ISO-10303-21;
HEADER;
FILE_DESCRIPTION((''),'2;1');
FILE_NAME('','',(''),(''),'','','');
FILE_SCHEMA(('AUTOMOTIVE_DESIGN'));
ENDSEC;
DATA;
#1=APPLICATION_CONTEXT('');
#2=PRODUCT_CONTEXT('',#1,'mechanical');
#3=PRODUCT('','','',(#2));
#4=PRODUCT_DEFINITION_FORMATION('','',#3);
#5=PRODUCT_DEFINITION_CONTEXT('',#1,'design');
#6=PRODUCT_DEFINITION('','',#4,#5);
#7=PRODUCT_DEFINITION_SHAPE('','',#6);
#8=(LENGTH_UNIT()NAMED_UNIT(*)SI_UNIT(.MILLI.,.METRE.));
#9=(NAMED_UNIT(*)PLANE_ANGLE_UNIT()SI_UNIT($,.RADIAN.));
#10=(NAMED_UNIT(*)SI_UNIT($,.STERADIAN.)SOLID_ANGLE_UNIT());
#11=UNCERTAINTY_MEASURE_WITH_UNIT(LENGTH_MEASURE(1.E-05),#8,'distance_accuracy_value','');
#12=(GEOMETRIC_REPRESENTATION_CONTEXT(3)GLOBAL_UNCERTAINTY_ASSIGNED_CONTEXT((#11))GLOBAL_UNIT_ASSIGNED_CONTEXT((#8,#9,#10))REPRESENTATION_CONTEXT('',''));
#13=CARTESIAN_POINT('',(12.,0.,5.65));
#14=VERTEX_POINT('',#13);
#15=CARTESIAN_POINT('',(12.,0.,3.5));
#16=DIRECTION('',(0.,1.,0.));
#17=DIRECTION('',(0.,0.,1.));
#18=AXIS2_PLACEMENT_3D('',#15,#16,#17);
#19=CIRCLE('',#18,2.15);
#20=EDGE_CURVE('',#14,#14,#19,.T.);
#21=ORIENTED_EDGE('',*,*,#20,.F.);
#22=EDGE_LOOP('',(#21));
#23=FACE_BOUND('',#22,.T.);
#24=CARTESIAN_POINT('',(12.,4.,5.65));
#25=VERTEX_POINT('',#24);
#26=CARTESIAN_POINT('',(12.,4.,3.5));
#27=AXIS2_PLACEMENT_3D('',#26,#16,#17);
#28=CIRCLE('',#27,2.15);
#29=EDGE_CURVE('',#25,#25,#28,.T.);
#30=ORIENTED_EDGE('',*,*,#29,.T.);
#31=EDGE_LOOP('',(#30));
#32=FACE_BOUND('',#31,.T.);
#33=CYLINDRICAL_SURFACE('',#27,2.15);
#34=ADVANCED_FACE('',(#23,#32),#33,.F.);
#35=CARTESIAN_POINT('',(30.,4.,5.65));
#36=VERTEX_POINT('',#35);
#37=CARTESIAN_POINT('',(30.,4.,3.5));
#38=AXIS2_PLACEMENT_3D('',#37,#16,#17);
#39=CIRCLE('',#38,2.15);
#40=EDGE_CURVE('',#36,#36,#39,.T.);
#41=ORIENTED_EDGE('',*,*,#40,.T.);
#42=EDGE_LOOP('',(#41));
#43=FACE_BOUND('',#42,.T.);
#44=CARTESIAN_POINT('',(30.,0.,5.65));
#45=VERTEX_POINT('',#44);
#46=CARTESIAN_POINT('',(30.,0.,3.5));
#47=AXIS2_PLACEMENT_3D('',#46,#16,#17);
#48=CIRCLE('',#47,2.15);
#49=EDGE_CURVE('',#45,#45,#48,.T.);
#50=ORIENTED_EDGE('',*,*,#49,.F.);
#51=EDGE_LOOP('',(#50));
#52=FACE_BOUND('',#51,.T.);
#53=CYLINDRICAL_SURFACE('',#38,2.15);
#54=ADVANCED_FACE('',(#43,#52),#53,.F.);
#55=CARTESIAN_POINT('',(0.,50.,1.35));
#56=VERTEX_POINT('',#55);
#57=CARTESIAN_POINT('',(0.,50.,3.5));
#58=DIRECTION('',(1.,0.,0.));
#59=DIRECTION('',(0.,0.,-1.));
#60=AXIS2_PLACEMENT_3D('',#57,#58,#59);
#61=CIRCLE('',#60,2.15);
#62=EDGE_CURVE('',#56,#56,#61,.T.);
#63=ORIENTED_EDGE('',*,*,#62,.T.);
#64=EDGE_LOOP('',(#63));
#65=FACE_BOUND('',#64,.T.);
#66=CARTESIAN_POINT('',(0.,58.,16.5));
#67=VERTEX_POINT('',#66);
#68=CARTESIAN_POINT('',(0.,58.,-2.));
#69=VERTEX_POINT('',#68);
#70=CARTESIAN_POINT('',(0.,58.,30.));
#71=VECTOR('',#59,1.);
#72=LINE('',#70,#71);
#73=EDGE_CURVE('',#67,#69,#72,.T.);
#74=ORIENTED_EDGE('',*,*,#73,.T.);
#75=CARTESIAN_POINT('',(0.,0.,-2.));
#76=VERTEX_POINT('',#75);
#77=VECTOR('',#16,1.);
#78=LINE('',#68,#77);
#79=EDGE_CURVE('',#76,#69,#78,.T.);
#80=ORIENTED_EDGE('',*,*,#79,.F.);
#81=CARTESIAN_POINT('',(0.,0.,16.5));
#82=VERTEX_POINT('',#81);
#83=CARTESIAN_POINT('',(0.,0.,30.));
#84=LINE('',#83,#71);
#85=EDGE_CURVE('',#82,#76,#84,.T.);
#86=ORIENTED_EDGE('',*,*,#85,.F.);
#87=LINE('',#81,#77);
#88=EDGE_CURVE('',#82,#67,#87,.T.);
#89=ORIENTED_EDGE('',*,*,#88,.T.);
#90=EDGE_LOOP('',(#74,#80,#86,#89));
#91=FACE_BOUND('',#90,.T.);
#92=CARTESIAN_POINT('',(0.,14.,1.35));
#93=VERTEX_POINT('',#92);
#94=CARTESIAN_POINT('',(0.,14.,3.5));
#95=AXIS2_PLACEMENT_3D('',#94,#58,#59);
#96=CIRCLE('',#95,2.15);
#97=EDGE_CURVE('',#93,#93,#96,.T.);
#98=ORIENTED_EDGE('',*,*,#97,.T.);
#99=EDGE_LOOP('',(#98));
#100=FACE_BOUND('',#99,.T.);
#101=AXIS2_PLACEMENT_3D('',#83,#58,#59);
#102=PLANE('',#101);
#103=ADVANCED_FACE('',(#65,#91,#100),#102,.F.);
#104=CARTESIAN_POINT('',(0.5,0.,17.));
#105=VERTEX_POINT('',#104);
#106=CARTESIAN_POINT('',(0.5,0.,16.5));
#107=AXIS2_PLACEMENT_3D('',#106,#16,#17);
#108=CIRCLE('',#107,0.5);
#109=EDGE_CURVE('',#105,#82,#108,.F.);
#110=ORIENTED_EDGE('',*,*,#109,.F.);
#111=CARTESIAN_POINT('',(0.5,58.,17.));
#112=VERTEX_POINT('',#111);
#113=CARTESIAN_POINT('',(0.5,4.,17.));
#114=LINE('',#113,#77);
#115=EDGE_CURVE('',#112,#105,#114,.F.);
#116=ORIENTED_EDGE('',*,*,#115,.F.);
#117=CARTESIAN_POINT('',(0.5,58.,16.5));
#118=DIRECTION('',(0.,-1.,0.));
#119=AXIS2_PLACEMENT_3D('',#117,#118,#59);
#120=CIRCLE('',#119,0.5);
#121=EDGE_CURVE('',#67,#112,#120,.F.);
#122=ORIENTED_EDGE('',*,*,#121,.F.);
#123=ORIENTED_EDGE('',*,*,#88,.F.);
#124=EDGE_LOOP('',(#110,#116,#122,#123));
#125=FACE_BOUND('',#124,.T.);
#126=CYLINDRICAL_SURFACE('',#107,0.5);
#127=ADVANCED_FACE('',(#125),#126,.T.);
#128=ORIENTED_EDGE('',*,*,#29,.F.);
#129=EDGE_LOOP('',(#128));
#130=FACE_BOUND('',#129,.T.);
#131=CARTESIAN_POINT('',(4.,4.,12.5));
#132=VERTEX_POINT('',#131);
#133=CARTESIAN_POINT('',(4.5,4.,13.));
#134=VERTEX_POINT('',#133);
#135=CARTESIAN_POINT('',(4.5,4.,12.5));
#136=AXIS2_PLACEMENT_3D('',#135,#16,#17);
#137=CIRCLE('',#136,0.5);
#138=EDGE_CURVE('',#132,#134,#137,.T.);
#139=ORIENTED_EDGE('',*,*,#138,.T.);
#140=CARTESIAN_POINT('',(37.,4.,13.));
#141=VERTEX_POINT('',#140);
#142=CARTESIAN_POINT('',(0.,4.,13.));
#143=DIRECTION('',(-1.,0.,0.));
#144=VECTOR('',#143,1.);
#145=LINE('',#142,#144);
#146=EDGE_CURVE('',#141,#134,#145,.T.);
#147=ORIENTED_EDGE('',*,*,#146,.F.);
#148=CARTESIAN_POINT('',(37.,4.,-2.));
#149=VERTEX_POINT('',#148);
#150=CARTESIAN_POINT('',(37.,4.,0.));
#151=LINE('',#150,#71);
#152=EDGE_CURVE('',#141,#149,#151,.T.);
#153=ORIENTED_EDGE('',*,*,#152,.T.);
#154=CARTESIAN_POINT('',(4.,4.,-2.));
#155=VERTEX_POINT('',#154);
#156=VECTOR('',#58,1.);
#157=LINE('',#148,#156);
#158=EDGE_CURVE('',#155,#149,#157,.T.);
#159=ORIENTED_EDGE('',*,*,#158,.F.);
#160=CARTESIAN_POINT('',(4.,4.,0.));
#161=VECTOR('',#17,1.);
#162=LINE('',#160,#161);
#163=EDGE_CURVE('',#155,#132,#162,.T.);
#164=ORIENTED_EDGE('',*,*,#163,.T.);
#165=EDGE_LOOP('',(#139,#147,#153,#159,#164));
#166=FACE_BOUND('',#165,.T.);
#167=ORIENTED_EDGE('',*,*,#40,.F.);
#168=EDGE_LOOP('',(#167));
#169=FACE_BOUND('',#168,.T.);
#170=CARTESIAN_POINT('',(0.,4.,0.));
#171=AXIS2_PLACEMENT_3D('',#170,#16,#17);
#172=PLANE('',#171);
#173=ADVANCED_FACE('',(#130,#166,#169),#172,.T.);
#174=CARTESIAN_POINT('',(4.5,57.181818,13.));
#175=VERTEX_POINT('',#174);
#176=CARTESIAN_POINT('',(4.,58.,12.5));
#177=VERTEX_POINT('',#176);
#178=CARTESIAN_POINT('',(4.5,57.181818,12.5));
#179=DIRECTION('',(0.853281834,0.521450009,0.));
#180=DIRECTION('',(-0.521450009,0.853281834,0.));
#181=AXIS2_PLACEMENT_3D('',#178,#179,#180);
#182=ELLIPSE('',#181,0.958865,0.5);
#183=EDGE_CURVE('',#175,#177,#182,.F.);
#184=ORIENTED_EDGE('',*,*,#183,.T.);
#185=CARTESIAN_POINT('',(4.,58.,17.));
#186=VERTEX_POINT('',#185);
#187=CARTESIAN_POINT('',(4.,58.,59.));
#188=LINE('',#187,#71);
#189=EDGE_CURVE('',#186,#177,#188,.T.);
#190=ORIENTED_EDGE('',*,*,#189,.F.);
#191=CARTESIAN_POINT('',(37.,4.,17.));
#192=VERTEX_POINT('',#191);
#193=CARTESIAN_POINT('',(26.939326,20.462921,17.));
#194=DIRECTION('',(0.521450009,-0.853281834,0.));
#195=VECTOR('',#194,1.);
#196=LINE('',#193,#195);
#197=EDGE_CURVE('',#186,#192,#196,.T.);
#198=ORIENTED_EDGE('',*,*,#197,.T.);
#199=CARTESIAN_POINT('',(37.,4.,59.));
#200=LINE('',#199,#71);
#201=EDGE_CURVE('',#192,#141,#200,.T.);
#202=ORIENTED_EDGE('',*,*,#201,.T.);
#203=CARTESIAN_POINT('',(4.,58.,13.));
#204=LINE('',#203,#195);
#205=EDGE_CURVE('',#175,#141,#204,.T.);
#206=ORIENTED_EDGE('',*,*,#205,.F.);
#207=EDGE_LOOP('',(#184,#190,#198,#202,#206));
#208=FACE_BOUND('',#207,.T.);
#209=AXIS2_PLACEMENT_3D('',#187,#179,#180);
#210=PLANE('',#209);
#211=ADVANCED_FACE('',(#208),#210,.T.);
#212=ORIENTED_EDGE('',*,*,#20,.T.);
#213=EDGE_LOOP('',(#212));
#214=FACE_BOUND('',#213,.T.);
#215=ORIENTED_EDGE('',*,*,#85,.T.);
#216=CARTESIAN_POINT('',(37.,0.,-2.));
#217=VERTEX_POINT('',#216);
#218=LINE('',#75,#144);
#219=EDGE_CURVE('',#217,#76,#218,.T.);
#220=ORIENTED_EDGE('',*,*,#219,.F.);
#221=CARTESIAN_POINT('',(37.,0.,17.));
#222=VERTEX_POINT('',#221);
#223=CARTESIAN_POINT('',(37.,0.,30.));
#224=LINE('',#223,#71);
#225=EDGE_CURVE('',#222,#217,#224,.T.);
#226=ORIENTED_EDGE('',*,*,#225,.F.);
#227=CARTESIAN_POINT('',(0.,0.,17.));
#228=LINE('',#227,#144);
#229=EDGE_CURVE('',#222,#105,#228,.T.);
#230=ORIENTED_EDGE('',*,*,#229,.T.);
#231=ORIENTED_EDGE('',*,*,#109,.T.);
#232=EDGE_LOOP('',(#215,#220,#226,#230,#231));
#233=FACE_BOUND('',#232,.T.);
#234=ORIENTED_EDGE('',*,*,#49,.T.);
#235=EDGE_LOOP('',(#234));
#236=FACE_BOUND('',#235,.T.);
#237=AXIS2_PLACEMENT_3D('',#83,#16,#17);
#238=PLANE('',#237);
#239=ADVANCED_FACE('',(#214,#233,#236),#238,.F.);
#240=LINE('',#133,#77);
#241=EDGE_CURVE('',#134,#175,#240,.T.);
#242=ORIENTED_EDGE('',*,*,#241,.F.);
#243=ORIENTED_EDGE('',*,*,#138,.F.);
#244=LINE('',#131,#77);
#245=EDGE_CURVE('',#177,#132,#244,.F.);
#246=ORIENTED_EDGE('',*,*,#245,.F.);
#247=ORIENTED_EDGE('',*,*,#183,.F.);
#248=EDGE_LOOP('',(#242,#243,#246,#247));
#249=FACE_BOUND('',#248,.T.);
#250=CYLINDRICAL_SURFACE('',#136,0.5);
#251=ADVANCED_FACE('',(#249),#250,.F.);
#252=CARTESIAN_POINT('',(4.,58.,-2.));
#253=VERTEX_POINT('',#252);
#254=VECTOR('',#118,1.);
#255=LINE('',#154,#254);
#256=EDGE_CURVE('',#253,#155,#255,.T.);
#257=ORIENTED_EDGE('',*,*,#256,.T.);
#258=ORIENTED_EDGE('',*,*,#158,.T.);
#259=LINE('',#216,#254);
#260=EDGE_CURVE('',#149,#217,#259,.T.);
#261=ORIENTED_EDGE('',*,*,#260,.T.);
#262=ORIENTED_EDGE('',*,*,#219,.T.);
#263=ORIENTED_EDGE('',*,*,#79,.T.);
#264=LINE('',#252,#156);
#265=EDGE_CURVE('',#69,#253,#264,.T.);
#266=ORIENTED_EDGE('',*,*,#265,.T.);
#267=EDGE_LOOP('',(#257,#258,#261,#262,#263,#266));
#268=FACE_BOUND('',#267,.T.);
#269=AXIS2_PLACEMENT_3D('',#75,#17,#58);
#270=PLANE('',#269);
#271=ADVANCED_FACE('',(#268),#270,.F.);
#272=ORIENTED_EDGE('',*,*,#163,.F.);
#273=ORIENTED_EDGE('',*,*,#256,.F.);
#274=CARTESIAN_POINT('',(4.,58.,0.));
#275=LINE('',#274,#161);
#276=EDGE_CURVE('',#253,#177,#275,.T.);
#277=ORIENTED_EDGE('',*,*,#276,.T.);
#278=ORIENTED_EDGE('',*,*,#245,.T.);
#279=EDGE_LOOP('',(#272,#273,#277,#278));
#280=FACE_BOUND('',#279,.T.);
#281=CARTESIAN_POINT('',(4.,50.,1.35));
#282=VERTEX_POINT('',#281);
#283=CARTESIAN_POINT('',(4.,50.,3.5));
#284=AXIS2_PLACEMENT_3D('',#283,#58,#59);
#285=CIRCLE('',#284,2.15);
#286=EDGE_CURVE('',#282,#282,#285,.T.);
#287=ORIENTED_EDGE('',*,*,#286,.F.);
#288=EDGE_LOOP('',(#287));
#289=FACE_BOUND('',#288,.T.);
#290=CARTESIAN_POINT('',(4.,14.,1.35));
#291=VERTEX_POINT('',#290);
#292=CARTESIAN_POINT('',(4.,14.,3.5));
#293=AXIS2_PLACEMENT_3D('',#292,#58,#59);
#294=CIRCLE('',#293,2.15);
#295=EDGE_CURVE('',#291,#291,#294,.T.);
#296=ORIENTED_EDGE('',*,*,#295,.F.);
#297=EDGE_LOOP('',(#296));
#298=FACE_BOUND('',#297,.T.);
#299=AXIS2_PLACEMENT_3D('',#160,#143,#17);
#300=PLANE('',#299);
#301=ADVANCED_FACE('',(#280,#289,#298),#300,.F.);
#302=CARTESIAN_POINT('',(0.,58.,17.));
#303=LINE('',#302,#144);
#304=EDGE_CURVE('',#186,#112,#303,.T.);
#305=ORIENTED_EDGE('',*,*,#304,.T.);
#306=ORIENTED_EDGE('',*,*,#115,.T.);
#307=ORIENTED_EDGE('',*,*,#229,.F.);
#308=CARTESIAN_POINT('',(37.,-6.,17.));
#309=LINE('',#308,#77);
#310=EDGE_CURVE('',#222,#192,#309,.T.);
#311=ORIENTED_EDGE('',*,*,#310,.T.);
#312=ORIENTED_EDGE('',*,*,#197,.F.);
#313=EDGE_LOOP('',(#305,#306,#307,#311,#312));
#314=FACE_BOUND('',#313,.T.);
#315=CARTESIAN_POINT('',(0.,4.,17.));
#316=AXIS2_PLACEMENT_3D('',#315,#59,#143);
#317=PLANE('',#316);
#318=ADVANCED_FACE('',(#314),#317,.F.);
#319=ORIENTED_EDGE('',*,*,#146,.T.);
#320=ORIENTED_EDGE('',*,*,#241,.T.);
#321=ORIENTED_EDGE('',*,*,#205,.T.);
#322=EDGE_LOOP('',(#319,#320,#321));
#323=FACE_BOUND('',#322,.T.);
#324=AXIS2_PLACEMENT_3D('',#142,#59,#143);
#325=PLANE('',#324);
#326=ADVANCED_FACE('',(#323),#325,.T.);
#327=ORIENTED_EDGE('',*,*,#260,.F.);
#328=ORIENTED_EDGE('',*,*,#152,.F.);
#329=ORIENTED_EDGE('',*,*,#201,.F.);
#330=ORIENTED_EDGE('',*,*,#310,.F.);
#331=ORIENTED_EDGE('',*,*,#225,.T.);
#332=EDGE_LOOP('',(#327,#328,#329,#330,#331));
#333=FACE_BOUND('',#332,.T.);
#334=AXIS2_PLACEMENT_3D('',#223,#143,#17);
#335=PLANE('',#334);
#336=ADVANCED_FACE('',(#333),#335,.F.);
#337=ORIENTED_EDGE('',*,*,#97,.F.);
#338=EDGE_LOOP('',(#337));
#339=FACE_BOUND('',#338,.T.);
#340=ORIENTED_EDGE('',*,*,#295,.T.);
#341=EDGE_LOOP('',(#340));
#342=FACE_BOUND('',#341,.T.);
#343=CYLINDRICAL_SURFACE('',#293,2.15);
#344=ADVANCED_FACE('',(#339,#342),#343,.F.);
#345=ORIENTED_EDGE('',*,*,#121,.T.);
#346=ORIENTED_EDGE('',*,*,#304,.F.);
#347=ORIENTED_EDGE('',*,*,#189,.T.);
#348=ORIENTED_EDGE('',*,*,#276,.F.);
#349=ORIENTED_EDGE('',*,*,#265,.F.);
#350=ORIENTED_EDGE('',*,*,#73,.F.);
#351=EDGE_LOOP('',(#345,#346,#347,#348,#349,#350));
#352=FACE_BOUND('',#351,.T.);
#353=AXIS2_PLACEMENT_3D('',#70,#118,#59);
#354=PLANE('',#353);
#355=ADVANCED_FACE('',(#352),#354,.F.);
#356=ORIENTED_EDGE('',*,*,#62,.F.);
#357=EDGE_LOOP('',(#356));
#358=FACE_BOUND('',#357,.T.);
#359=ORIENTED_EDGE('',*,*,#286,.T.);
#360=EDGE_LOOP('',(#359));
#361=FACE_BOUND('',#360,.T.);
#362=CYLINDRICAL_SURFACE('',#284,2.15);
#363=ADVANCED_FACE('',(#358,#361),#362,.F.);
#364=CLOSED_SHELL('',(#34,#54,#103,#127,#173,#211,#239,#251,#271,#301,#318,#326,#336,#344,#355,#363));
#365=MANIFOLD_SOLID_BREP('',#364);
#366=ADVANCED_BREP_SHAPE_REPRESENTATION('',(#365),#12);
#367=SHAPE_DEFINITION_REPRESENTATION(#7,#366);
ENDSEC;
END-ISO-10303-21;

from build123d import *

# Parameters (mm, degrees)
SKETCH1_W            = 37
SKETCH1_H            = 58
BOSS_EXTRUDE1_DEPTH  = 30
SKETCH2_W            = 33
SKETCH2_H            = 13
SKETCH2_W_2          = 4
CUT_EXTRUDE1_DEPTH   = 54
CUT_EXTRUDE2_DEPTH   = 46
M4_CLEARANCE_HOLE1_D = 4.3
M4_CLEARANCE_HOLE2_D = 4.3
SKETCH8_W            = 37
SKETCH8_H            = 13
CUT_EXTRUDE3_DEPTH   = 10
FILLET1_R            = 0.5
BOSS_EXTRUDE2_DEPTH  = 2


with BuildPart() as part:
    # Sketch1 → Boss-Extrude1 (new body)
    with BuildSketch(Plane.XY):
        with Locations((18.5, 29)):
            Rectangle(SKETCH1_W, SKETCH1_H)
    extrude(amount=BOSS_EXTRUDE1_DEPTH)

    # Sketch2 → Cut-Extrude1 (cut)
    with BuildSketch(Plane(origin=(0, 58, 0), x_dir=(1, 0, 0), z_dir=(0, 1, 0))):
        with Locations((20.5, -6.5)):
            Rectangle(SKETCH2_W, SKETCH2_H)
        with Locations((20.5, -23.5)):
            Rectangle(SKETCH2_W, SKETCH2_H)
        with Locations((2, -23.5)):
            Rectangle(SKETCH2_W_2, SKETCH2_H)
    extrude(amount=-CUT_EXTRUDE1_DEPTH, mode=Mode.SUBTRACT)

    # Sketch3 → Cut-Extrude2 (cut)
    with BuildSketch(Plane.XY.offset(13)):
        Polygon((4, 58), (37, 4), (37, 58), align=None)
    extrude(amount=CUT_EXTRUDE2_DEPTH, mode=Mode.SUBTRACT)

    # M4 Clearance Hole1 (through all)
    with Locations(Plane(origin=(4, 0, 0), x_dir=(0, 0, -1), z_dir=(1, 0, 0))):
        with Locations((-3.5, 14), (-3.5, 50)):
            Hole(M4_CLEARANCE_HOLE1_D / 2)

    # M4 Clearance Hole2 (through all)
    with Locations(Plane(origin=(0, 4, 0), x_dir=(1, 0, 0), z_dir=(0, 1, 0))):
        with Locations((12, -3.5), (30, -3.5)):
            Hole(M4_CLEARANCE_HOLE2_D / 2)

    # Sketch8 → Cut-Extrude3 (cut)
    with BuildSketch(Plane(origin=(0, 4, 0), x_dir=(1, 0, 0), z_dir=(0, 1, 0))):
        with Locations((18.5, -23.5)):
            Rectangle(SKETCH8_W, SKETCH8_H)
    extrude(amount=-CUT_EXTRUDE3_DEPTH, mode=Mode.SUBTRACT)

    # Fillet1
    fillet1_edges = [part.edges().sort_by_distance(p)[0] for p in [
        (4, 31, 13),
        (0, 29, 17),
    ]]
    fillet(fillet1_edges, radius=FILLET1_R)

    # Sketch9 → Boss-Extrude2 (add)
    with BuildSketch(Plane(origin=(0, 0, 0), x_dir=(-1, 0, 0), z_dir=(0, 0, -1))):
        Polygon((-4, 58), (0, 58), (0, 0), (-37, 0), (-37, 4), (-4, 4), align=None)
    extrude(amount=BOSS_EXTRUDE2_DEPTH)


solid = part.part
